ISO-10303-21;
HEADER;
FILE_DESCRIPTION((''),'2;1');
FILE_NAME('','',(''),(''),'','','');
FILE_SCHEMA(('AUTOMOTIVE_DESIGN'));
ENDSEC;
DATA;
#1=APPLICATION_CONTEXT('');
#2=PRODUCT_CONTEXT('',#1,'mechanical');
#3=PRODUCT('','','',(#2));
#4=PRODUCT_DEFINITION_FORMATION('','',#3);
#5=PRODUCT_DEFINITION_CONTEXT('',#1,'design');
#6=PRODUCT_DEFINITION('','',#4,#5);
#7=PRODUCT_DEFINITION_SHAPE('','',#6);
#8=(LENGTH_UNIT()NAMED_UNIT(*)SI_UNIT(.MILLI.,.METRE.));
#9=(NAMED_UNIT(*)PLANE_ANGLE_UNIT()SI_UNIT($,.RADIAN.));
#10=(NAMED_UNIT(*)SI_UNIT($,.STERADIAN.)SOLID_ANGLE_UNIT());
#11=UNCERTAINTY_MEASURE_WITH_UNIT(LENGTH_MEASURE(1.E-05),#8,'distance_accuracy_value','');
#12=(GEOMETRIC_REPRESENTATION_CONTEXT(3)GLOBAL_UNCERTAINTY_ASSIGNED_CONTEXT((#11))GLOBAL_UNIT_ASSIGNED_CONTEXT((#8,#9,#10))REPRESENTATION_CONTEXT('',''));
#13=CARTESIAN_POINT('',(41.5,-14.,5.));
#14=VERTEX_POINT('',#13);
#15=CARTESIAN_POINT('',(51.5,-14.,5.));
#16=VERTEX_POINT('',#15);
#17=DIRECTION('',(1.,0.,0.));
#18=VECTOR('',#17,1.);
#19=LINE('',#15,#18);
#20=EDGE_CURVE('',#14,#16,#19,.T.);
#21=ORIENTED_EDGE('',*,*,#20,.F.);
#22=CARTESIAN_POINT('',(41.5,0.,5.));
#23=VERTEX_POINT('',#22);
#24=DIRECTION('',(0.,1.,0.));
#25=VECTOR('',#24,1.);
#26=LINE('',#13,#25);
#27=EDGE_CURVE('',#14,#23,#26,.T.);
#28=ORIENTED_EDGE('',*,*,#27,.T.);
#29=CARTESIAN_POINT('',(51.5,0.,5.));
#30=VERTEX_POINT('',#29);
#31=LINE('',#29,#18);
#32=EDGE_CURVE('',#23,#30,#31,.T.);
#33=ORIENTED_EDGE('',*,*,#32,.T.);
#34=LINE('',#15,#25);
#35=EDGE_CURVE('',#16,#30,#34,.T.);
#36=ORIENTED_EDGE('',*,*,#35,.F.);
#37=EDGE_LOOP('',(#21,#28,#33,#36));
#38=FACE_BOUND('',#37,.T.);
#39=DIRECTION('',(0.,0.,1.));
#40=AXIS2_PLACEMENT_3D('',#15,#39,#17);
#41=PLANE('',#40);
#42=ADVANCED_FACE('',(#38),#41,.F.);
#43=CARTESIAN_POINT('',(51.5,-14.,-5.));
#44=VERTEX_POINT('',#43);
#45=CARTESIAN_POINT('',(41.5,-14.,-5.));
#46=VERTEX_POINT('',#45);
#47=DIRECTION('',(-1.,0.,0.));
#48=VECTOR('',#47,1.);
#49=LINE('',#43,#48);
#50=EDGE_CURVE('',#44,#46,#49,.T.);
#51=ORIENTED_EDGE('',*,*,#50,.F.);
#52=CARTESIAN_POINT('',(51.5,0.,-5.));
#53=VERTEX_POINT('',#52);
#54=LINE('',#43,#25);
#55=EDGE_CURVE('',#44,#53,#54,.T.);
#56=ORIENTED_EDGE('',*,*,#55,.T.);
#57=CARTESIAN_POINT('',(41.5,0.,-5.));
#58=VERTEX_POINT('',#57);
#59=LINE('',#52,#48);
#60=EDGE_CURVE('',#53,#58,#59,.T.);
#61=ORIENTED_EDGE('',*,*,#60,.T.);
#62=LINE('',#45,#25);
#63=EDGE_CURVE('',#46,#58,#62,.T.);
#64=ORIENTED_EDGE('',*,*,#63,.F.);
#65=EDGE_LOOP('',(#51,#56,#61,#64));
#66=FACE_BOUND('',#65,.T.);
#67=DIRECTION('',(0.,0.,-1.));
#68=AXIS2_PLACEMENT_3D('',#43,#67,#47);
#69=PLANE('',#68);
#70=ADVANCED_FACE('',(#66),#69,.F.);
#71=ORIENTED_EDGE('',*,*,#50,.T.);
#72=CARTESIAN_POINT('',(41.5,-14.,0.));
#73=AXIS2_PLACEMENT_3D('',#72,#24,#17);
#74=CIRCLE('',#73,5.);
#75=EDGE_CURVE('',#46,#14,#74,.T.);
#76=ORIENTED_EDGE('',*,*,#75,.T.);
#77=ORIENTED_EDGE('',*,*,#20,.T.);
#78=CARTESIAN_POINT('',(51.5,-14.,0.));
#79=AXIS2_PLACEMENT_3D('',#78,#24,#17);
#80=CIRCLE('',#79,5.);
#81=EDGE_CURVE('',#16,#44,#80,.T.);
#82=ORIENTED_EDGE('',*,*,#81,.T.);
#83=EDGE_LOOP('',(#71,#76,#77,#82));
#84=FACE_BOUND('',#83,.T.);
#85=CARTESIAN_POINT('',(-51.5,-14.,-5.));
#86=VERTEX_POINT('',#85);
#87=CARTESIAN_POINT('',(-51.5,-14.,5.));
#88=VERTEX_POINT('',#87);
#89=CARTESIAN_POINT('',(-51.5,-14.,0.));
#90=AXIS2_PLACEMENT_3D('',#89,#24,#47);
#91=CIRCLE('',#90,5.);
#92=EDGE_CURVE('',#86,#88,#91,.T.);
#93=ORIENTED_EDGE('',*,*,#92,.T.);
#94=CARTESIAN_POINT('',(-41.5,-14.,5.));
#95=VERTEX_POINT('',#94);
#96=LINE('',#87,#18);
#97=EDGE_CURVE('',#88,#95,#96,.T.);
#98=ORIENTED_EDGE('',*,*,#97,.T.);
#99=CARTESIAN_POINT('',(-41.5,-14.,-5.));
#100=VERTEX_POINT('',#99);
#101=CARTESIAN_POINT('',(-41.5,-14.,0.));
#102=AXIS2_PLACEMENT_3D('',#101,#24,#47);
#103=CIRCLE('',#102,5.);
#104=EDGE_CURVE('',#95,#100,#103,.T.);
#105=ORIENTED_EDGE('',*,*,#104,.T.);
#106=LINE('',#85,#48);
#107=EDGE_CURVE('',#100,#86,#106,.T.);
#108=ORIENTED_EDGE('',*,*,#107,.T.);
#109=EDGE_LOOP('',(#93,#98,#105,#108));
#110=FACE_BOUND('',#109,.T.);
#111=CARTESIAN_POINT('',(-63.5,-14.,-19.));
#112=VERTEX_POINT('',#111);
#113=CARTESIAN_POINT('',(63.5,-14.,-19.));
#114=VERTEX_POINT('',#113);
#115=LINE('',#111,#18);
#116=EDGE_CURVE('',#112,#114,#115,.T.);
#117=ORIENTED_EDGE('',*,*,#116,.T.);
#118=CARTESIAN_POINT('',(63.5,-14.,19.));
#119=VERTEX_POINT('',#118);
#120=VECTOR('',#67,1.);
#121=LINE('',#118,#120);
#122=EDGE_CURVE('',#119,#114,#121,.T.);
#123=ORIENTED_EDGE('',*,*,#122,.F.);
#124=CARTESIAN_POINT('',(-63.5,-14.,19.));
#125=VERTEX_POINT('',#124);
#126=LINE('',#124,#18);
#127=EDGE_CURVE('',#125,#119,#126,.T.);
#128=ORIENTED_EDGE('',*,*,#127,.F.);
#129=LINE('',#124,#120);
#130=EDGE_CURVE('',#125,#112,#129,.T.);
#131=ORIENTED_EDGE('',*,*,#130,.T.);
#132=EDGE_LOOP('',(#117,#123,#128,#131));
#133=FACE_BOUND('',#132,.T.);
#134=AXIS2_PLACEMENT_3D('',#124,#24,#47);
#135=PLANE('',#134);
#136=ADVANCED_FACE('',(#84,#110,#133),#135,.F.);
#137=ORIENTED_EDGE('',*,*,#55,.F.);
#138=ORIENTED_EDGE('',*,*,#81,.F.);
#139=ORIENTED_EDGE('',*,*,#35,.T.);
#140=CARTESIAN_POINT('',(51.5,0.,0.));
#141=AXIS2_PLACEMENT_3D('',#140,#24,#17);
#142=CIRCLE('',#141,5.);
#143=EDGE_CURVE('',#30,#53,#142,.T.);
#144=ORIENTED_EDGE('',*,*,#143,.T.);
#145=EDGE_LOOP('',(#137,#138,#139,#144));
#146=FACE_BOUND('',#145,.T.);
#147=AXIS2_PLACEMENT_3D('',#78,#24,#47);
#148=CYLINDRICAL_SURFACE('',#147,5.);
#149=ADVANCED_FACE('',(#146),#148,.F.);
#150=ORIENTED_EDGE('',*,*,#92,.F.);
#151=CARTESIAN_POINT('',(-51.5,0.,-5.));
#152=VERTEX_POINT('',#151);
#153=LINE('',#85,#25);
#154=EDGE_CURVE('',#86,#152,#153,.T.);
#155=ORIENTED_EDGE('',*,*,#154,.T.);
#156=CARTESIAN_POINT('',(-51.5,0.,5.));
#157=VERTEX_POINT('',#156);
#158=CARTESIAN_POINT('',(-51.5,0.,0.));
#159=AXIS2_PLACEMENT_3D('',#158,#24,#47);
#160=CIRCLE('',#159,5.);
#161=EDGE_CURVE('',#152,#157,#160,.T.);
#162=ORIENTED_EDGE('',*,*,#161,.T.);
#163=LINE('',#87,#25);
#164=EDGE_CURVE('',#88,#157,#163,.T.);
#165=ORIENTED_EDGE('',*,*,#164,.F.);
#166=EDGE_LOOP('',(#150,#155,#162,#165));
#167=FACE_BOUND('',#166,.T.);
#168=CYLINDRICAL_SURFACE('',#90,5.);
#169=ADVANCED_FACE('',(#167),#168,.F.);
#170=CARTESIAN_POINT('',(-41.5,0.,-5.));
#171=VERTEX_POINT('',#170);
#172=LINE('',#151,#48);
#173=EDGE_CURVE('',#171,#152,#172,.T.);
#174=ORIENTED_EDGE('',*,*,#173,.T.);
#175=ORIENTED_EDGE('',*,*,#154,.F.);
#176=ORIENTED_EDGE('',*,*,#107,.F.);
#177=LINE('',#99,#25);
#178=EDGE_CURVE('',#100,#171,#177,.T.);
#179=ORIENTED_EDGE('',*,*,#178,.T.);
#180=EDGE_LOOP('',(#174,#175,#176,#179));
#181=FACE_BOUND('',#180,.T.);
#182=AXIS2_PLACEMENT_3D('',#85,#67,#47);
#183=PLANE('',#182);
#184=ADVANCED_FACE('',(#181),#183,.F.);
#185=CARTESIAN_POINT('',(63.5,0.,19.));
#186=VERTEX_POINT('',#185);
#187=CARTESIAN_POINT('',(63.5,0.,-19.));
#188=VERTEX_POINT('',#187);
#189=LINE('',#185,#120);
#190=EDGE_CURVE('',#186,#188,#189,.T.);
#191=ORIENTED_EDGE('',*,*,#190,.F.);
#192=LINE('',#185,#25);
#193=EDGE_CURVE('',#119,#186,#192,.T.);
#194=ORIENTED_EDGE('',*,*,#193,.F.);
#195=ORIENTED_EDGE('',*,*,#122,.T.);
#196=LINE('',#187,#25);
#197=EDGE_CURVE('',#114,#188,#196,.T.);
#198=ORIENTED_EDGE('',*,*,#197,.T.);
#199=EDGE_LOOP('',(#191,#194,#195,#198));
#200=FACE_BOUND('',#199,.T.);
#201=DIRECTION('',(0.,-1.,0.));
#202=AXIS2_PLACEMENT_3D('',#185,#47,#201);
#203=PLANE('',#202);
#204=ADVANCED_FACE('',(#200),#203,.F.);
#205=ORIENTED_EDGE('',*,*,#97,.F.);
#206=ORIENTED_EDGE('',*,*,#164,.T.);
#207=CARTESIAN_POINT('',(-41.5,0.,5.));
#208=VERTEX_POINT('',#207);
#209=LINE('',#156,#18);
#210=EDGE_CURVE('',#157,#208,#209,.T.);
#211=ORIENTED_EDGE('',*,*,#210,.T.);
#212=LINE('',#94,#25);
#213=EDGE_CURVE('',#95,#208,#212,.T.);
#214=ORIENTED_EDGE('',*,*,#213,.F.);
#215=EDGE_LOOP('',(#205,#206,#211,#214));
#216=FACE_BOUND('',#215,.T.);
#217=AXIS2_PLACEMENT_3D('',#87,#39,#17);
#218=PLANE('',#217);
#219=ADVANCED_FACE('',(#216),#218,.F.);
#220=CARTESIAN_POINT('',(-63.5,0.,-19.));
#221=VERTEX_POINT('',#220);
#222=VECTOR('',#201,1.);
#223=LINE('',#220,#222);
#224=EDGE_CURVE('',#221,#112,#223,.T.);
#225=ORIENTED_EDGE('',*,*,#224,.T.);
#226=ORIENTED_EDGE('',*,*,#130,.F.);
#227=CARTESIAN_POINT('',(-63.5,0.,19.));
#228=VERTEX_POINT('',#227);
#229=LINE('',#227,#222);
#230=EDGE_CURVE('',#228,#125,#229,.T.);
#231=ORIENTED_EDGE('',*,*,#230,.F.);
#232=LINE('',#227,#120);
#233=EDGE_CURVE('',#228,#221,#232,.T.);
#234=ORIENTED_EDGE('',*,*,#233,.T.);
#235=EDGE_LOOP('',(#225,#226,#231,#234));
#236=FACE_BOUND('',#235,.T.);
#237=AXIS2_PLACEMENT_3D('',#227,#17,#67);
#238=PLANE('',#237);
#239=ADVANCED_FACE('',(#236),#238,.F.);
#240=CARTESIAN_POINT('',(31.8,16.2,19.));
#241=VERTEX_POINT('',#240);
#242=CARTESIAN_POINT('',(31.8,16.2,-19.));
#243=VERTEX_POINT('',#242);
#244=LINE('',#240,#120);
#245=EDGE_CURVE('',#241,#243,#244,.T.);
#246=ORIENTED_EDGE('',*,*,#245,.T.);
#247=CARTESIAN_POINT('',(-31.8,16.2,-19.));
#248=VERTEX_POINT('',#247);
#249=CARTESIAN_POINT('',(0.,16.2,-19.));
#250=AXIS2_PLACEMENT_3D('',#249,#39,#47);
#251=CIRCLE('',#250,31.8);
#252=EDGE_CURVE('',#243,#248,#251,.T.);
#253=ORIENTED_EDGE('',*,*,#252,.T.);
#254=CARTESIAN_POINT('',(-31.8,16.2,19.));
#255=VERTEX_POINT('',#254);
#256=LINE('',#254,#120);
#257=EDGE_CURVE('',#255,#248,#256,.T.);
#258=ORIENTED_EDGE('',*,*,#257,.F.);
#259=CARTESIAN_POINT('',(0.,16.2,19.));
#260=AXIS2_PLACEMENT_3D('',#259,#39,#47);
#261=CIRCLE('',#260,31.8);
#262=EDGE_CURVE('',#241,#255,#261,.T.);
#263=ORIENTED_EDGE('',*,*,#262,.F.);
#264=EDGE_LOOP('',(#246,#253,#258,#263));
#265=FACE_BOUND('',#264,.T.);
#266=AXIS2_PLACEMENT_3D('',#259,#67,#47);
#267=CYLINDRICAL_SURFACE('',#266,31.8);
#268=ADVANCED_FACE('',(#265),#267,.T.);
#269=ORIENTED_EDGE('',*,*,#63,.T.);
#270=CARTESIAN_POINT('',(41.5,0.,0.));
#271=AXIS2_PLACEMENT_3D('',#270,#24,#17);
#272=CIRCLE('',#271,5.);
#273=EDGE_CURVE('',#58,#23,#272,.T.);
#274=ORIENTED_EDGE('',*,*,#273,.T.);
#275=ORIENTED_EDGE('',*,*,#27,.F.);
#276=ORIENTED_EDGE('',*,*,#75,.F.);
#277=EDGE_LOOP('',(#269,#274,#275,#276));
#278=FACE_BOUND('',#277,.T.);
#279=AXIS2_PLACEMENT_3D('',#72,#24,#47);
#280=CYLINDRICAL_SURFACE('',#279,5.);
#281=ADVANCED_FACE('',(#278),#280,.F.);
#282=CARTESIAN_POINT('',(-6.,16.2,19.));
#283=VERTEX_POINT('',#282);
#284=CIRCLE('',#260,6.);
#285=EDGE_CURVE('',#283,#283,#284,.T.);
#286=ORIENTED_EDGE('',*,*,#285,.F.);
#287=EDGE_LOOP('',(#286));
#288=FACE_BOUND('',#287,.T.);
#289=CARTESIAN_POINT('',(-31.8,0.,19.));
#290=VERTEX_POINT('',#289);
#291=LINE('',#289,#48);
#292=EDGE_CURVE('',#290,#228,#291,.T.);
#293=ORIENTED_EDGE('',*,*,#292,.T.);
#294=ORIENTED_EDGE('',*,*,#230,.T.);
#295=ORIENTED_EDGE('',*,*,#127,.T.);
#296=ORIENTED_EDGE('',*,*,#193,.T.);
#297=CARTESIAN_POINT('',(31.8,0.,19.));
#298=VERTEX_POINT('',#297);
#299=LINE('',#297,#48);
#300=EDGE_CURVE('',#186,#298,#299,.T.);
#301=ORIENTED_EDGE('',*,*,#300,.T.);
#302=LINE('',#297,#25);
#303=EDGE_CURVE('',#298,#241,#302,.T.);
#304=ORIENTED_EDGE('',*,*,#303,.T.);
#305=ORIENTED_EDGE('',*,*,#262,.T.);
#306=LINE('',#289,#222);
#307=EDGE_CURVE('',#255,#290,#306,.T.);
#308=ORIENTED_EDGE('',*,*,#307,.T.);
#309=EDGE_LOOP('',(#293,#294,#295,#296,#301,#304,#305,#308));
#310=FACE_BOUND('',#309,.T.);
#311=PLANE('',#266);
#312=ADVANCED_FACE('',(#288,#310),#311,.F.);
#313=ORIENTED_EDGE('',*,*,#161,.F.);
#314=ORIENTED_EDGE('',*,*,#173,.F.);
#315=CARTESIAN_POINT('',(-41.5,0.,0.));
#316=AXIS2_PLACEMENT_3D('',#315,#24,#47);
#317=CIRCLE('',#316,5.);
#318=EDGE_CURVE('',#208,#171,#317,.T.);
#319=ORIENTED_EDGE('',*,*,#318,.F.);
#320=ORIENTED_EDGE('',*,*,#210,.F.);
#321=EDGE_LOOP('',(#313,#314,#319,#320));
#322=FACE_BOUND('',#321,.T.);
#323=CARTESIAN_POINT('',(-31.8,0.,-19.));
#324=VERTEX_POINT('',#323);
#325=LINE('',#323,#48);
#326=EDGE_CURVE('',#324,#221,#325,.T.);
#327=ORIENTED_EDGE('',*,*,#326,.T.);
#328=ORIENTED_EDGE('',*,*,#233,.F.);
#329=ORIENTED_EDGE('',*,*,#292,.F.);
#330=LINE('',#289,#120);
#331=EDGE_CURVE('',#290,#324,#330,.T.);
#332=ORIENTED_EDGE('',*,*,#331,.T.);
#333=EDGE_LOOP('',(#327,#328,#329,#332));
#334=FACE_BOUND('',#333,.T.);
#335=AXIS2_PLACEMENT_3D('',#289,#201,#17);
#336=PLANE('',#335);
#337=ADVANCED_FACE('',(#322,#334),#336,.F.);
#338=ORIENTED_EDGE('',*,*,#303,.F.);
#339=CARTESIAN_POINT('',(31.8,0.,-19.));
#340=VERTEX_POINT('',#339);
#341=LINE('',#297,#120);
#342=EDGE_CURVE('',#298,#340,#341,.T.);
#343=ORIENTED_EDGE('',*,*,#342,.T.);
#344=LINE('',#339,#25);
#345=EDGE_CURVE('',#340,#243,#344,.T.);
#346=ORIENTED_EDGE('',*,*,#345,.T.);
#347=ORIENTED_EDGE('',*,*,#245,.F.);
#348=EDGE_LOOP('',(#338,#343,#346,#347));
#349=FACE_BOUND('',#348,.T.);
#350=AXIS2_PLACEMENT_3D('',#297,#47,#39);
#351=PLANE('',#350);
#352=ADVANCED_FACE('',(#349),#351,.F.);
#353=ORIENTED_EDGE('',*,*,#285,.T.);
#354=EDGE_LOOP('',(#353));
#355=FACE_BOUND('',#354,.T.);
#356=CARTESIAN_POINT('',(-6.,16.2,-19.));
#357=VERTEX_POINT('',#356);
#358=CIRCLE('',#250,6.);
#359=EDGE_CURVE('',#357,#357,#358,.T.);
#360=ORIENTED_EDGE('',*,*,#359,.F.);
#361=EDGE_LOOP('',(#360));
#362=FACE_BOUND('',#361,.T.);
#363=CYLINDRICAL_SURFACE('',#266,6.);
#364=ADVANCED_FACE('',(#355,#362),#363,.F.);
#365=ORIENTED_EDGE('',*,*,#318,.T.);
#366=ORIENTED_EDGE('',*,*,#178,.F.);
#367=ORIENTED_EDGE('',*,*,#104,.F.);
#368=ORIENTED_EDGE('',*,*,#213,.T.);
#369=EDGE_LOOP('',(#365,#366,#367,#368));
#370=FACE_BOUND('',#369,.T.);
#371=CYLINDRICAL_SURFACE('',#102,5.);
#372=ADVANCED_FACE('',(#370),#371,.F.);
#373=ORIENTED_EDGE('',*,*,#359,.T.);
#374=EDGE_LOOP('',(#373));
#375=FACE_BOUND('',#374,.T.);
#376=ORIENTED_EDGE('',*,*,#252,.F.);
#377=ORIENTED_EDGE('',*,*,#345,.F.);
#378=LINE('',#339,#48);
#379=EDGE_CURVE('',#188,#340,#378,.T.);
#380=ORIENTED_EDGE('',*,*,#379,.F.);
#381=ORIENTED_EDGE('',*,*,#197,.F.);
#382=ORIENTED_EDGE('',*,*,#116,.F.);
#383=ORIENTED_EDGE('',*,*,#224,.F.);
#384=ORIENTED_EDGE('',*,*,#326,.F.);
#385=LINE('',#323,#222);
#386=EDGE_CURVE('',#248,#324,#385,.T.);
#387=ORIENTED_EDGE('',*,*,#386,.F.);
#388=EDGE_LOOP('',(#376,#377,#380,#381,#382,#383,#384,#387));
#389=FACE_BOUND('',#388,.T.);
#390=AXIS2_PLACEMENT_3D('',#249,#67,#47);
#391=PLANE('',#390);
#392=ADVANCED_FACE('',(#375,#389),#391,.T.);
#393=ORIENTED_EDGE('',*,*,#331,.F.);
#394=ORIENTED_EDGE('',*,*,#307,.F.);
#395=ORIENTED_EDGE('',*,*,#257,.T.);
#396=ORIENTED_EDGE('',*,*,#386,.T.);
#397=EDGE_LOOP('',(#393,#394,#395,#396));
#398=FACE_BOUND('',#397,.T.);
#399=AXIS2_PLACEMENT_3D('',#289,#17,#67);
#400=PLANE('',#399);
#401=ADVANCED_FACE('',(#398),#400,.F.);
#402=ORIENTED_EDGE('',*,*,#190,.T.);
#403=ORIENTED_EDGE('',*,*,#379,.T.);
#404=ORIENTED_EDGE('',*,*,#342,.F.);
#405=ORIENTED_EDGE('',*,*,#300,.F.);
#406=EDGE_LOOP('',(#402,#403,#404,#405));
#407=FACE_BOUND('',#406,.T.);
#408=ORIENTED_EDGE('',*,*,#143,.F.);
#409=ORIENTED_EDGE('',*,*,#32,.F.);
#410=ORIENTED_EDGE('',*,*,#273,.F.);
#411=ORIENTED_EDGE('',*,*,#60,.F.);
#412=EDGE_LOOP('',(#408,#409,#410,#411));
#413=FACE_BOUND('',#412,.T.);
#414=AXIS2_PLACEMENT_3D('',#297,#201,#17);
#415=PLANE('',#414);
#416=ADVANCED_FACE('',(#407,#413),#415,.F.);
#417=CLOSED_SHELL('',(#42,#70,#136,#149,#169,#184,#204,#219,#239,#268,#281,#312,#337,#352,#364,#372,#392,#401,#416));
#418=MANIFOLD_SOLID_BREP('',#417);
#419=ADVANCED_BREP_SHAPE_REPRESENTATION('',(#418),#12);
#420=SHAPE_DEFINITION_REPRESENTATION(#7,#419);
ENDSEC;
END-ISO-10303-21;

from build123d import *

# Parameters (mm, degrees)
SKETCH_1_R          = 6
EXTRUDE_1_DEPTH     = 19
CUT_EXTRUDE_1_DEPTH = 82.836727696


with BuildPart() as part:
    # Эскиз1 → Бобышка-Вытянуть1 (new, symmetric)
    with BuildSketch(Plane.XY):
        with BuildLine():
            Line((-31.8, 0), (-31.8, 16.2))
            ThreePointArc((-31.8, 16.2), (0, 48), (31.8, 16.2))
            Line((31.8, 16.2), (31.8, 0))
            Line((31.8, 0), (63.5, 0))
            Line((63.5, 0), (63.5, -14))
            Line((63.5, -14), (-63.5, -14))
            Line((-63.5, -14), (-63.5, 0))
            Line((-63.5, 0), (-31.8, 0))
        make_face()
        with Locations(Location((0, 16.2, 0), (0, 0, 180))):
            Circle(SKETCH_1_R, mode=Mode.SUBTRACT)
    extrude(amount=EXTRUDE_1_DEPTH, both=True)

    # Эскиз2 → Вырез-Вытянуть1 (cut, through all)
    with BuildSketch(Plane(origin=(0, 0, 0), x_dir=(1, 0, 0), z_dir=(0, 1, 0))):
        with BuildLine():
            Line((-51.5, 5), (-41.5, 5))
            ThreePointArc((-41.5, 5), (-36.5, 0), (-41.5, -5))
            Line((-41.5, -5), (-51.5, -5))
            ThreePointArc((-51.5, -5), (-56.5, 0), (-51.5, 5))
        make_face()
        with BuildLine():
            Line((51.5, 5), (41.5, 5))
            ThreePointArc((41.5, 5), (36.5, 0), (41.5, -5))
            Line((41.5, -5), (51.5, -5))
            ThreePointArc((51.5, -5), (56.5, 0), (51.5, 5))
        make_face()
    extrude(amount=-CUT_EXTRUDE_1_DEPTH, mode=Mode.SUBTRACT)


solid = part.part
